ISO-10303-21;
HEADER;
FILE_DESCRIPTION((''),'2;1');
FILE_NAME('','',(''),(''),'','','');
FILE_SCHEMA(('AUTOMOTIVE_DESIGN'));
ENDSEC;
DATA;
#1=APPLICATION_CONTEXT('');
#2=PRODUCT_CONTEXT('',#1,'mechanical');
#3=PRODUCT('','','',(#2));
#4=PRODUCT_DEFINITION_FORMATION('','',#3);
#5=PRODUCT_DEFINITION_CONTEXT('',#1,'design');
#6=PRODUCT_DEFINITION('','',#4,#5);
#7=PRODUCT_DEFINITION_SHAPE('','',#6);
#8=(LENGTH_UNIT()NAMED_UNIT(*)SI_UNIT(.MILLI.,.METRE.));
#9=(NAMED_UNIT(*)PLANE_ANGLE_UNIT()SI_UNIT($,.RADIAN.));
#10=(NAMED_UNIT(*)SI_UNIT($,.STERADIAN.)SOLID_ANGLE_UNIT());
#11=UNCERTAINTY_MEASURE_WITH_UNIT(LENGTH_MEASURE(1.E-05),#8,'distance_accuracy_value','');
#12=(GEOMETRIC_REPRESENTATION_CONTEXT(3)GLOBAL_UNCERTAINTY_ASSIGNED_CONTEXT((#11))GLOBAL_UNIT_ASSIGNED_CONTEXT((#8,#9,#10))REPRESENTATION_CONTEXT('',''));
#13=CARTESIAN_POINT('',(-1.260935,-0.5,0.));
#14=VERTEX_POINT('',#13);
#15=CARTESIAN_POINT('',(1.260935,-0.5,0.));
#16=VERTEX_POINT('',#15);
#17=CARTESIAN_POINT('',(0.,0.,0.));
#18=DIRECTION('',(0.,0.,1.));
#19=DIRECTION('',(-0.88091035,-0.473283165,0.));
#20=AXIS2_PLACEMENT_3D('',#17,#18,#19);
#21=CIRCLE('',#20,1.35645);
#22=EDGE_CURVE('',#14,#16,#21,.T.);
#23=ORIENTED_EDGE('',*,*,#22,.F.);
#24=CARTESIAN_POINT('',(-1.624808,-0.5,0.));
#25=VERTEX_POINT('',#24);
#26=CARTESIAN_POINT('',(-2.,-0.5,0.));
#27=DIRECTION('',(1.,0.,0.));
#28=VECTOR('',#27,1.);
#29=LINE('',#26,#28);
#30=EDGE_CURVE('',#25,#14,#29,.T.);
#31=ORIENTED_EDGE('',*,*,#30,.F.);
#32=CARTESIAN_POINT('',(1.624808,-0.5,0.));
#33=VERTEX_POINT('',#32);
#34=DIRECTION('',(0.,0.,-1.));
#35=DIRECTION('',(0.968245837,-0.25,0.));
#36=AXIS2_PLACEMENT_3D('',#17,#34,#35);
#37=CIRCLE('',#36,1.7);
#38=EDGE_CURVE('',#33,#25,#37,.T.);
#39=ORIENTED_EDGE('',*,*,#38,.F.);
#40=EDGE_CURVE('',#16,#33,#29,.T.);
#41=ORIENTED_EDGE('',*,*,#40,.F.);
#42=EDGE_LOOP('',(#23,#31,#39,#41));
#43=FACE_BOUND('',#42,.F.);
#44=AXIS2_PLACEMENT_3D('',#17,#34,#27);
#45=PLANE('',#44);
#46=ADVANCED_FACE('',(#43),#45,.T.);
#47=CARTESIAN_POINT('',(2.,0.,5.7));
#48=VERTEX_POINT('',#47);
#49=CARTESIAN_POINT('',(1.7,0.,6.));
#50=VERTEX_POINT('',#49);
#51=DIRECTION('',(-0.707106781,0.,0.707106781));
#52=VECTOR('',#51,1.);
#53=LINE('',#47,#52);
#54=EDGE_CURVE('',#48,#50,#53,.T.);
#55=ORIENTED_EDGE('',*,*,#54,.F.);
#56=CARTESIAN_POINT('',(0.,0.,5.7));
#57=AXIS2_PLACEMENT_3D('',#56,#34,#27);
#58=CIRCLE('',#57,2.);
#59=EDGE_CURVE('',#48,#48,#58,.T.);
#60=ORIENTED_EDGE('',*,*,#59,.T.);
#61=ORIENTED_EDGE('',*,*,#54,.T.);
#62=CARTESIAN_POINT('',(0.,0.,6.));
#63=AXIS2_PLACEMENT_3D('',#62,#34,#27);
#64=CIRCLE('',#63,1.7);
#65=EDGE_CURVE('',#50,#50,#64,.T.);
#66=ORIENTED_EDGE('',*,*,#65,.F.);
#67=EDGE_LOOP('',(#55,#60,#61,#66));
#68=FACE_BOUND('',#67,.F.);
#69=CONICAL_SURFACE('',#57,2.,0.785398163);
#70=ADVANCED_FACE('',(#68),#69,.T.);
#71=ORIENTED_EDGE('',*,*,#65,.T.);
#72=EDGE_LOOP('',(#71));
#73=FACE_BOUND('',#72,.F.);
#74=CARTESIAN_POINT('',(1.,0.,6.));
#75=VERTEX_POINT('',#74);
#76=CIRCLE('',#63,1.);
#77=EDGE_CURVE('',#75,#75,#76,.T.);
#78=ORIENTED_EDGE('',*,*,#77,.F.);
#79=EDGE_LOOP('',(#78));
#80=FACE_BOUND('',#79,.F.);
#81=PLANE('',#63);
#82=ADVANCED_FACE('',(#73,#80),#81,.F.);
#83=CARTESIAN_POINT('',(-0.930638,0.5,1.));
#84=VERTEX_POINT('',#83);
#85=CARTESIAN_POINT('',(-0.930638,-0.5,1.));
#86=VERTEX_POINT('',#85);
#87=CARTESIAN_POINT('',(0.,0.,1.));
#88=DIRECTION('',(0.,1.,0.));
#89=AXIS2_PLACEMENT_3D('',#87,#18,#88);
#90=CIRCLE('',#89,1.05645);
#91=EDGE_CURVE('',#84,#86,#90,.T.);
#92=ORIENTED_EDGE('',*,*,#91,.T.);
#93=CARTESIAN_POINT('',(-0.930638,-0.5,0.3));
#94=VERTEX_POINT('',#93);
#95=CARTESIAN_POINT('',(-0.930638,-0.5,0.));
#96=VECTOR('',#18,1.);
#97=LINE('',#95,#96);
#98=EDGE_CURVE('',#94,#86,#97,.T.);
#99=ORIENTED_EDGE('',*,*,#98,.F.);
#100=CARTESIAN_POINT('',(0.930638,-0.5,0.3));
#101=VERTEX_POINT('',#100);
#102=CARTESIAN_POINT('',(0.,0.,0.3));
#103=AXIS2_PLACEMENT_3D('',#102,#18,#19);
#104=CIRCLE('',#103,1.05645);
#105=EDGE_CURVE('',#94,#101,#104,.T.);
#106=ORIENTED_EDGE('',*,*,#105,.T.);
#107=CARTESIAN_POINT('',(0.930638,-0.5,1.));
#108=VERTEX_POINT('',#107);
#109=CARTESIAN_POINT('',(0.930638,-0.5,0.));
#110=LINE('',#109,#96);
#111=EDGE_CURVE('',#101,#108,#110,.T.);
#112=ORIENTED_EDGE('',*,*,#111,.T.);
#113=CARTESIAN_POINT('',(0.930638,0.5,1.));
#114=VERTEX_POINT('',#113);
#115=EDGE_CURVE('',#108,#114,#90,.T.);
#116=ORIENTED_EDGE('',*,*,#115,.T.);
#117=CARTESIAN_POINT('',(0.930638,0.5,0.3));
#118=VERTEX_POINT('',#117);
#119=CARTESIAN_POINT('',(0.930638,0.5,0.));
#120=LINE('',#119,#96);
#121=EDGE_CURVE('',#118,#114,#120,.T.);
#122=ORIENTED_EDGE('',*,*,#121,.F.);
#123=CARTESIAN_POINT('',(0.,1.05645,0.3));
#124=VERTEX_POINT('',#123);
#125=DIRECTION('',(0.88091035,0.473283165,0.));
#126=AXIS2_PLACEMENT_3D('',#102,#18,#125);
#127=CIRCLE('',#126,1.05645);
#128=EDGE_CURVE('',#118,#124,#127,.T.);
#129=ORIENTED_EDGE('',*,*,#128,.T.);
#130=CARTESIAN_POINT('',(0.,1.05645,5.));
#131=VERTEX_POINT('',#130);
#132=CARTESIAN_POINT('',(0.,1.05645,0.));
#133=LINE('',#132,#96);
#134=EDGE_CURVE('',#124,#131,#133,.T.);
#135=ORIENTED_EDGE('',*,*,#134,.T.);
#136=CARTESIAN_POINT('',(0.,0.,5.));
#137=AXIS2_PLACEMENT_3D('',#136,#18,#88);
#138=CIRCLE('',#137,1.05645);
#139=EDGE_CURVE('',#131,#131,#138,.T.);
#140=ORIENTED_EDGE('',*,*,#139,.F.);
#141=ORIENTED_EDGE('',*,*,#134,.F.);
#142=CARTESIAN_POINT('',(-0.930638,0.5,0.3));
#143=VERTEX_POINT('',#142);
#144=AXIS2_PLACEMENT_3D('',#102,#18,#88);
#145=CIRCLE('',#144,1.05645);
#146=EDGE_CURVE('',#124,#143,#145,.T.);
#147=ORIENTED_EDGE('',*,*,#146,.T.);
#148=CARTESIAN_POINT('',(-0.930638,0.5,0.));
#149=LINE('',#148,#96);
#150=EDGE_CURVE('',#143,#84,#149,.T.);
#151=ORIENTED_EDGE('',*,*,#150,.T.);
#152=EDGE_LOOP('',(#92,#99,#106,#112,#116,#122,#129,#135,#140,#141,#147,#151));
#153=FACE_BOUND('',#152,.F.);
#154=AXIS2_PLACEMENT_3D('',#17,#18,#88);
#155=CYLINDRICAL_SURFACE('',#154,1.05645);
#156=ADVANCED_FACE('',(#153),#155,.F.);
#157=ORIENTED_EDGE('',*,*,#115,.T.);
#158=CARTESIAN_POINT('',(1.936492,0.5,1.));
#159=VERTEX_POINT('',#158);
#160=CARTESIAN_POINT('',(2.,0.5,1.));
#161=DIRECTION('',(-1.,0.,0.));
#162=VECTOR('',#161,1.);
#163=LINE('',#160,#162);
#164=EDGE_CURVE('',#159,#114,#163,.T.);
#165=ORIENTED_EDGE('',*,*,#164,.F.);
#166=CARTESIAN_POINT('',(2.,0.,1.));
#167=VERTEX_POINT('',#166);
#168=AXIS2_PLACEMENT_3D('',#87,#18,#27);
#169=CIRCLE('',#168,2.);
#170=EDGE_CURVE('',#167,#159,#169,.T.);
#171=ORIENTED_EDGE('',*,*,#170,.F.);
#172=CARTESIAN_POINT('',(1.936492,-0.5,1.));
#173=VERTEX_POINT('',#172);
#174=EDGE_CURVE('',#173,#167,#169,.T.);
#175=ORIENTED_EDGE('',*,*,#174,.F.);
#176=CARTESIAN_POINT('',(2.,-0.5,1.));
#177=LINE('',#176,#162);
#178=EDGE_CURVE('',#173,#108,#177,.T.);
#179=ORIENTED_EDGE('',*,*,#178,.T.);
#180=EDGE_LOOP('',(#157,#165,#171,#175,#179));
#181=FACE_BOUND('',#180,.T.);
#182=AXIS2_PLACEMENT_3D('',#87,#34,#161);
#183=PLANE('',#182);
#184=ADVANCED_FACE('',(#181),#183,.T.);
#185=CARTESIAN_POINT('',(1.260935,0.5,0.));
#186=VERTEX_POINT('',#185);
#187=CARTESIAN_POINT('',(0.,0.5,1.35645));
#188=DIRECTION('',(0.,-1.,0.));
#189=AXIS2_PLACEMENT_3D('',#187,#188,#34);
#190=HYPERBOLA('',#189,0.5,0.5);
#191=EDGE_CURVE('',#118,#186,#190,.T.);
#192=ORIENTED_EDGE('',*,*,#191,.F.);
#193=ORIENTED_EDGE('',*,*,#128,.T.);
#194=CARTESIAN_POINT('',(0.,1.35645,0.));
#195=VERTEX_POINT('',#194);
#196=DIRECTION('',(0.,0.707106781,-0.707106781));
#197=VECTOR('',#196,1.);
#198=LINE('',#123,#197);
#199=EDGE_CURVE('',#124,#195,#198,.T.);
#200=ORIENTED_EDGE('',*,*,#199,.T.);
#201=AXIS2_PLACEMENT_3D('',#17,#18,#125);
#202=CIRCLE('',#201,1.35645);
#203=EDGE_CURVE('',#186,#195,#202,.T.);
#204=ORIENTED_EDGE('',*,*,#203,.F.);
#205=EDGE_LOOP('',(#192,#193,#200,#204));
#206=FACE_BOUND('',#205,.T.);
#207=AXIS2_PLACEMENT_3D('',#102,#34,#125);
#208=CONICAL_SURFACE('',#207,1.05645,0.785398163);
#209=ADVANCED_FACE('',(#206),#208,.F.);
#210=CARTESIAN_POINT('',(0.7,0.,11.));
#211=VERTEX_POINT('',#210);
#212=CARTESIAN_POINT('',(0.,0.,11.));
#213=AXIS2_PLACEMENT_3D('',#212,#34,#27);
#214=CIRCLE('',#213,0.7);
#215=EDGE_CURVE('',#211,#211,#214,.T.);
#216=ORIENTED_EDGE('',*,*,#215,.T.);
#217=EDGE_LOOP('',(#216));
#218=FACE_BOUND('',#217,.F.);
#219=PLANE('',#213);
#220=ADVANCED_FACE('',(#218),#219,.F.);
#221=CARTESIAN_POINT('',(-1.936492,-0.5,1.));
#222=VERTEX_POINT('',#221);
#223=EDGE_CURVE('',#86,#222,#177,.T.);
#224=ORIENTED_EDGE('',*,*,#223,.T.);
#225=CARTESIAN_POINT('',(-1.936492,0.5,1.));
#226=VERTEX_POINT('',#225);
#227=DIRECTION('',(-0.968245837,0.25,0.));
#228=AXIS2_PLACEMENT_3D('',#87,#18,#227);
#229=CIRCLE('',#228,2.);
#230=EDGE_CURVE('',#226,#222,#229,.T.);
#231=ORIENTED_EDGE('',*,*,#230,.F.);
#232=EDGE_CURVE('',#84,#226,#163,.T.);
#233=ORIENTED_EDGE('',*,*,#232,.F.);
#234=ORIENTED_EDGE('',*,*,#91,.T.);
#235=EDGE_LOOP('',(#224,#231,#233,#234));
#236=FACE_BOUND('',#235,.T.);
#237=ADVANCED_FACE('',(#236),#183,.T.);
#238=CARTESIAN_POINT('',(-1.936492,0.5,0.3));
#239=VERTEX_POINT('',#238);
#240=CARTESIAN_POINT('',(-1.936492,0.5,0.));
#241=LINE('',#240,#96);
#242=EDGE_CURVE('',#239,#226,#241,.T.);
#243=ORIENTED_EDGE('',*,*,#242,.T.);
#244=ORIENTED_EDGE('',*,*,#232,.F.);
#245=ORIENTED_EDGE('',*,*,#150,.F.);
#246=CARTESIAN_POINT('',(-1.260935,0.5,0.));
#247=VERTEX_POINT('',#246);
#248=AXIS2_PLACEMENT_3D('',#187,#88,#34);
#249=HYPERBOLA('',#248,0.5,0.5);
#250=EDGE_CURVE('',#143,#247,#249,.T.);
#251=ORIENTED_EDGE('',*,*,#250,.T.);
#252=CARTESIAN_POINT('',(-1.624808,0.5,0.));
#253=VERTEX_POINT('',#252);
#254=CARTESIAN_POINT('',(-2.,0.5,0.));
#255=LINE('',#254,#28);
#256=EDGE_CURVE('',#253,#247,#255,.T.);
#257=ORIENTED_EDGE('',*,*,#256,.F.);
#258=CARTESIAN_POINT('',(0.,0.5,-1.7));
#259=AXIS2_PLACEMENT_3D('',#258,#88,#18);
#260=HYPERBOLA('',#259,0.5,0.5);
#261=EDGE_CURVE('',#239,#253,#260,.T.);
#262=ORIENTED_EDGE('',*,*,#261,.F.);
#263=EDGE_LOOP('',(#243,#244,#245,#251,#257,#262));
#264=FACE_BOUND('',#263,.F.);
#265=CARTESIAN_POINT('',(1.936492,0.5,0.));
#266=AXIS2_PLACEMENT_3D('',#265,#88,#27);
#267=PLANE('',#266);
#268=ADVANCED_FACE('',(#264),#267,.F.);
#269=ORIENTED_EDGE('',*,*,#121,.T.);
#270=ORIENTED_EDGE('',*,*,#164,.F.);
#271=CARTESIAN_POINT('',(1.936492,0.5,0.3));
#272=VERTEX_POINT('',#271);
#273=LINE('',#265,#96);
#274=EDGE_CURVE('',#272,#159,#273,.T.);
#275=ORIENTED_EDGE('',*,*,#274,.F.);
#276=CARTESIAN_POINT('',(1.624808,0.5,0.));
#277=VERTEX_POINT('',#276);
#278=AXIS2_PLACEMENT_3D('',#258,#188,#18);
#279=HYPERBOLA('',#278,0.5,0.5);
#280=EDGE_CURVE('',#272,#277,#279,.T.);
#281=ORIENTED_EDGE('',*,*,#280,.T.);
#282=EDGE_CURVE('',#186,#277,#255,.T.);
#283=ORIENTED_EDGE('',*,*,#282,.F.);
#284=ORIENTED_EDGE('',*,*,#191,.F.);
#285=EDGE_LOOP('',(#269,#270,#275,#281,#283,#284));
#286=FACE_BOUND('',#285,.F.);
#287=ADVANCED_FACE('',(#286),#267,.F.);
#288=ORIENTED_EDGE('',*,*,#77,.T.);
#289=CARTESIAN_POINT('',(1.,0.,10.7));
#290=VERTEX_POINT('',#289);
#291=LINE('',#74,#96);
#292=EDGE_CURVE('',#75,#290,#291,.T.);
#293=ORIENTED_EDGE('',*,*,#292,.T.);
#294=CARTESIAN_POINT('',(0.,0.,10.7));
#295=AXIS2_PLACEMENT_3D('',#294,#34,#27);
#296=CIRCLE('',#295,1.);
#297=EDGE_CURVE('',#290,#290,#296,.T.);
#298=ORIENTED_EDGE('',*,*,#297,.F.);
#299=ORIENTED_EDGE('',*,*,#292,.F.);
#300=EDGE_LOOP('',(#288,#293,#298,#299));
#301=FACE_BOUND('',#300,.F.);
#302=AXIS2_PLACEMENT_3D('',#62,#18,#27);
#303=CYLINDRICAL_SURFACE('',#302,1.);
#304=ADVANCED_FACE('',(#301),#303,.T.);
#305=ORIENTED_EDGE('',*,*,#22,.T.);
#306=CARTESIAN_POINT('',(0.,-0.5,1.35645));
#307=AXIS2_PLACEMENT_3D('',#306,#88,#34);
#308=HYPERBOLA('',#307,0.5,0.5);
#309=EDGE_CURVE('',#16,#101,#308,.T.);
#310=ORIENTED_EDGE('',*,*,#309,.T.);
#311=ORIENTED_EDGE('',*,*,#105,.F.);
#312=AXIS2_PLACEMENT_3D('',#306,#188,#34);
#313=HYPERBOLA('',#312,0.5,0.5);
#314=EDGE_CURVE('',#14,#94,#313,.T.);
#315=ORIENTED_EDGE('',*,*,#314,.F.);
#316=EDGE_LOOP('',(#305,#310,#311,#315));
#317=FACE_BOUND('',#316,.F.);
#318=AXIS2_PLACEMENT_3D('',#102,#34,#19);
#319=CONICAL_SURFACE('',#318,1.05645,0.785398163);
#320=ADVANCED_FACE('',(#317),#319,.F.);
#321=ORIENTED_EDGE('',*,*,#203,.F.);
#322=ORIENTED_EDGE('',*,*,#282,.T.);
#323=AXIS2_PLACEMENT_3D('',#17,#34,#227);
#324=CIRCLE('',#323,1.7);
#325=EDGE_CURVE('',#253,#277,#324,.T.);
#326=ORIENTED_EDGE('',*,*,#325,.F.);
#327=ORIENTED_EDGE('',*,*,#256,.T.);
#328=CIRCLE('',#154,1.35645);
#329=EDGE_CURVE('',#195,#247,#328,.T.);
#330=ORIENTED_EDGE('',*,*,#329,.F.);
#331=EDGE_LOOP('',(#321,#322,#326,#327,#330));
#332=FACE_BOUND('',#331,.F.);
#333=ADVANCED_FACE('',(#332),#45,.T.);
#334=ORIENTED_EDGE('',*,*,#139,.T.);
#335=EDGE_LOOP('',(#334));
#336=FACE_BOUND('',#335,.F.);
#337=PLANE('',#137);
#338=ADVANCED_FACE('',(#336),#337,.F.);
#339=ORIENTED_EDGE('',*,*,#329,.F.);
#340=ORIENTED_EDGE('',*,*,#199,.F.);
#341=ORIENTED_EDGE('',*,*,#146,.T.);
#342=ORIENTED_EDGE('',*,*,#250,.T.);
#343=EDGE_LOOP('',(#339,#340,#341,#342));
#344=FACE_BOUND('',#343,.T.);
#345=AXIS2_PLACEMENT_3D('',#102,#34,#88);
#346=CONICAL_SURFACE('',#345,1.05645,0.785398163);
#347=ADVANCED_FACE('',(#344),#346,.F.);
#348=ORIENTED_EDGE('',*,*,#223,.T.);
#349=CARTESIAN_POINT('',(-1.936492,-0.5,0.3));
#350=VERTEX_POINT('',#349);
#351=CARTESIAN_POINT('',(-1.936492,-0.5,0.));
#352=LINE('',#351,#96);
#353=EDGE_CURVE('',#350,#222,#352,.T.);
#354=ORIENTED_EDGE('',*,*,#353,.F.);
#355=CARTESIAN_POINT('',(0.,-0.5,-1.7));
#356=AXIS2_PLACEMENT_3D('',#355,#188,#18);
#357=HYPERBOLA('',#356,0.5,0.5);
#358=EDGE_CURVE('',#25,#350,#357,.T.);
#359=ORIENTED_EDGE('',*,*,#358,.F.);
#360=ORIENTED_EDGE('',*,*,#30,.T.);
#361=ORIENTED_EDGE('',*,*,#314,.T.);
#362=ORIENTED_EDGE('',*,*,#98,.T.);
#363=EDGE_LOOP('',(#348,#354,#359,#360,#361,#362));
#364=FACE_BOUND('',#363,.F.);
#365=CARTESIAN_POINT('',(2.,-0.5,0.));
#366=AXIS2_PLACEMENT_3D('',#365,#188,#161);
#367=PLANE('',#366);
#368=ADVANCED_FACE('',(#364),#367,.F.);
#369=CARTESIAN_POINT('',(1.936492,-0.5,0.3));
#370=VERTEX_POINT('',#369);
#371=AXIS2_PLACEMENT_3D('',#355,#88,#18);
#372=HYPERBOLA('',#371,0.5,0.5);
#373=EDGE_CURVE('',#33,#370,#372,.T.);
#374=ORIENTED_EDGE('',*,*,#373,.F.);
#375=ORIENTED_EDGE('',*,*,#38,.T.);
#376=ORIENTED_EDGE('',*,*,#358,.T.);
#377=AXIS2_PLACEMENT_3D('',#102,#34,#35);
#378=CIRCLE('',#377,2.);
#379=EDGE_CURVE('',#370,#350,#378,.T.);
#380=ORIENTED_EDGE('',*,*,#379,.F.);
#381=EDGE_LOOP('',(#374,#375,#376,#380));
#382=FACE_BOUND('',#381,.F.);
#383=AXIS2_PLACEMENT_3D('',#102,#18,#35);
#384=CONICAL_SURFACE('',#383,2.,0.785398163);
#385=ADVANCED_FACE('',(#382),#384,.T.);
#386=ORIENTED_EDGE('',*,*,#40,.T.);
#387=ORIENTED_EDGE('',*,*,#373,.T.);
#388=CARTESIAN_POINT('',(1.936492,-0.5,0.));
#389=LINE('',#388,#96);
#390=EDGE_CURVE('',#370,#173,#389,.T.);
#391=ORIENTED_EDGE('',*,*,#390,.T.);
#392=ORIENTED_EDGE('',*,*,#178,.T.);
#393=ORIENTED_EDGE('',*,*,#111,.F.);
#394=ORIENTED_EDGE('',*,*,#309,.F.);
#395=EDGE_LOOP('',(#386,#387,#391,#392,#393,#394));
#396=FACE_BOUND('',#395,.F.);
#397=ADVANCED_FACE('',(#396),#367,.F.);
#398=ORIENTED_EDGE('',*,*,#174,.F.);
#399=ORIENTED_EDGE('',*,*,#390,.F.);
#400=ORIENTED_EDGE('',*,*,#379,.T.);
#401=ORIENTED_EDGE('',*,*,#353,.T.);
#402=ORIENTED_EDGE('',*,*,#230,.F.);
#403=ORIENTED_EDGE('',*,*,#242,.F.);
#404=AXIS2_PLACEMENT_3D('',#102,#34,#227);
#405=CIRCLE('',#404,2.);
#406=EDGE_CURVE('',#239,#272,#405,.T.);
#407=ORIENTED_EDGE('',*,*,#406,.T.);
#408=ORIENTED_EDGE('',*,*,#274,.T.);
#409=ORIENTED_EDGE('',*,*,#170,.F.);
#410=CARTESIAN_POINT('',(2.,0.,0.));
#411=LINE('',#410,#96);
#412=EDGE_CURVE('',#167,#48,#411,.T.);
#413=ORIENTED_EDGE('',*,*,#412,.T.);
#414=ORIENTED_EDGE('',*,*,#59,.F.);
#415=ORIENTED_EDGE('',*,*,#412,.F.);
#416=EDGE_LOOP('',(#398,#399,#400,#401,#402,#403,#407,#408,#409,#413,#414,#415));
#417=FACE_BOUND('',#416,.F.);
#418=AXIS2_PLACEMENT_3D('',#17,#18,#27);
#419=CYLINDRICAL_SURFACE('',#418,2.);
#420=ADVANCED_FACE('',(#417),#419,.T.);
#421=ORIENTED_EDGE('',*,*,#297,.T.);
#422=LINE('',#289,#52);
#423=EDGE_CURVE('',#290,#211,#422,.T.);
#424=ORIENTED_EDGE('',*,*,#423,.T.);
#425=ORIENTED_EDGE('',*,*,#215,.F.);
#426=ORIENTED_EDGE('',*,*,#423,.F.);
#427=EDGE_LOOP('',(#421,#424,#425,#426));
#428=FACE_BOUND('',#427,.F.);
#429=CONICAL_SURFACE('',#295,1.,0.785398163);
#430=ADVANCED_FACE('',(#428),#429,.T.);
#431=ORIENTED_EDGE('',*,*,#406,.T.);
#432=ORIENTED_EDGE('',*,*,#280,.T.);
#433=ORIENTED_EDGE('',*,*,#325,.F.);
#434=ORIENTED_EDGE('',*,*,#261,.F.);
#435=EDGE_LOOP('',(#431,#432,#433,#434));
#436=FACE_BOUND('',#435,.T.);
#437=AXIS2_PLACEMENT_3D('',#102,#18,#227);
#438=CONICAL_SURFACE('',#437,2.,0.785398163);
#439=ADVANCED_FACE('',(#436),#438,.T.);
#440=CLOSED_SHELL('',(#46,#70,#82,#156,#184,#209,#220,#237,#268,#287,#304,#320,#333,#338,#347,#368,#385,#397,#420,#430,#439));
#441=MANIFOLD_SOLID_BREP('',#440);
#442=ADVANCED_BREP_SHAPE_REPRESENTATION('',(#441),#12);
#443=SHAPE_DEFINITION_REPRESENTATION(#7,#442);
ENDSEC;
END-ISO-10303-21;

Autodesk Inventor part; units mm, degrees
ref_plane "YZ Plane" through (0, 0, 0) normal (1, 0, 0) x (0, 1, 0)
ref_plane "XZ Plane" through (0, 0, 0) normal (0, 1, 0) x (-1, 0, 0)
ref_plane "XY Plane" through (0, 0, 0) normal (0, 0, 1) x (1, 0, 0)
sketch "Sketch1" plane through (0, 0, 0) normal (0, 1, 0) x (-1, 0, 0)
  line L0 (0, 0) -> (-2, 0)
  line L1 (-2, 0) -> (-2, 6)
  line L2 (-2, 6) -> (-1, 6)
  line L3 (-1, 6) -> (-1, 11)
  line L4 (-1, 11) -> (0, 11)
  line L5 (0, 11) -> (0, 0)
  dimension "d1" = 5
  dimension "d2" = 6
  dimension "d3" = 2
  dimension "d4" = 4
revolve "Revolution1" add sketch "Sketch1" angle 360 about axis through (0, 0, 11) along (0, 0, -1)
sketch "Sketch2" plane through (0, 0, 0) normal (0, 0, -1) x (-1, 0, 0)
  line L0 (-2, -0.5) -> (2, -0.5)
  line L1 (2, -0.5) -> (2, 0.5)
  line L2 (2, 0.5) -> (-2, 0.5)
  line L3 (-2, 0.5) -> (-2, -0.5)
  line L4 (-2, -0.5) -> (2, 0.5) construction
  line L5 (2, -0.5) -> (-2, 0.5) construction
  circle A0 centre (0, 0) radius 2 projected
  dimension "d6" = 1
extrude "Extrusion1" cut sketch "Sketch2" against normal blind 1 contours L3 A0 L0 | A0 L2 L0 | L3 L2 A0 | A0 L1 L0 | A0 L2 L1
hole "Hole1" at (0, 0, 0) direction (0, 0, 1) diameter 2.1129 depth 5 thread size "M2.6x0.45" class "6H" standard "ANSI Metric M Profile"
thread "Thread1" size "M2x0.4" class "6g" standard "ANSI Metric M Profile" full length
chamfer "Chamfer1" distance 0.3 angle 45 7 edges at (-2, 0, 6) (0, 2, 0) (0, -2, 0) (0, -1.0564, 0) (-0.5421, 0.9067, 0) (0.5421, 0.9067, 0) (-1, 0, 11)
properties part number "BRU-2006S" material "Stainless Steel AISI 304"
